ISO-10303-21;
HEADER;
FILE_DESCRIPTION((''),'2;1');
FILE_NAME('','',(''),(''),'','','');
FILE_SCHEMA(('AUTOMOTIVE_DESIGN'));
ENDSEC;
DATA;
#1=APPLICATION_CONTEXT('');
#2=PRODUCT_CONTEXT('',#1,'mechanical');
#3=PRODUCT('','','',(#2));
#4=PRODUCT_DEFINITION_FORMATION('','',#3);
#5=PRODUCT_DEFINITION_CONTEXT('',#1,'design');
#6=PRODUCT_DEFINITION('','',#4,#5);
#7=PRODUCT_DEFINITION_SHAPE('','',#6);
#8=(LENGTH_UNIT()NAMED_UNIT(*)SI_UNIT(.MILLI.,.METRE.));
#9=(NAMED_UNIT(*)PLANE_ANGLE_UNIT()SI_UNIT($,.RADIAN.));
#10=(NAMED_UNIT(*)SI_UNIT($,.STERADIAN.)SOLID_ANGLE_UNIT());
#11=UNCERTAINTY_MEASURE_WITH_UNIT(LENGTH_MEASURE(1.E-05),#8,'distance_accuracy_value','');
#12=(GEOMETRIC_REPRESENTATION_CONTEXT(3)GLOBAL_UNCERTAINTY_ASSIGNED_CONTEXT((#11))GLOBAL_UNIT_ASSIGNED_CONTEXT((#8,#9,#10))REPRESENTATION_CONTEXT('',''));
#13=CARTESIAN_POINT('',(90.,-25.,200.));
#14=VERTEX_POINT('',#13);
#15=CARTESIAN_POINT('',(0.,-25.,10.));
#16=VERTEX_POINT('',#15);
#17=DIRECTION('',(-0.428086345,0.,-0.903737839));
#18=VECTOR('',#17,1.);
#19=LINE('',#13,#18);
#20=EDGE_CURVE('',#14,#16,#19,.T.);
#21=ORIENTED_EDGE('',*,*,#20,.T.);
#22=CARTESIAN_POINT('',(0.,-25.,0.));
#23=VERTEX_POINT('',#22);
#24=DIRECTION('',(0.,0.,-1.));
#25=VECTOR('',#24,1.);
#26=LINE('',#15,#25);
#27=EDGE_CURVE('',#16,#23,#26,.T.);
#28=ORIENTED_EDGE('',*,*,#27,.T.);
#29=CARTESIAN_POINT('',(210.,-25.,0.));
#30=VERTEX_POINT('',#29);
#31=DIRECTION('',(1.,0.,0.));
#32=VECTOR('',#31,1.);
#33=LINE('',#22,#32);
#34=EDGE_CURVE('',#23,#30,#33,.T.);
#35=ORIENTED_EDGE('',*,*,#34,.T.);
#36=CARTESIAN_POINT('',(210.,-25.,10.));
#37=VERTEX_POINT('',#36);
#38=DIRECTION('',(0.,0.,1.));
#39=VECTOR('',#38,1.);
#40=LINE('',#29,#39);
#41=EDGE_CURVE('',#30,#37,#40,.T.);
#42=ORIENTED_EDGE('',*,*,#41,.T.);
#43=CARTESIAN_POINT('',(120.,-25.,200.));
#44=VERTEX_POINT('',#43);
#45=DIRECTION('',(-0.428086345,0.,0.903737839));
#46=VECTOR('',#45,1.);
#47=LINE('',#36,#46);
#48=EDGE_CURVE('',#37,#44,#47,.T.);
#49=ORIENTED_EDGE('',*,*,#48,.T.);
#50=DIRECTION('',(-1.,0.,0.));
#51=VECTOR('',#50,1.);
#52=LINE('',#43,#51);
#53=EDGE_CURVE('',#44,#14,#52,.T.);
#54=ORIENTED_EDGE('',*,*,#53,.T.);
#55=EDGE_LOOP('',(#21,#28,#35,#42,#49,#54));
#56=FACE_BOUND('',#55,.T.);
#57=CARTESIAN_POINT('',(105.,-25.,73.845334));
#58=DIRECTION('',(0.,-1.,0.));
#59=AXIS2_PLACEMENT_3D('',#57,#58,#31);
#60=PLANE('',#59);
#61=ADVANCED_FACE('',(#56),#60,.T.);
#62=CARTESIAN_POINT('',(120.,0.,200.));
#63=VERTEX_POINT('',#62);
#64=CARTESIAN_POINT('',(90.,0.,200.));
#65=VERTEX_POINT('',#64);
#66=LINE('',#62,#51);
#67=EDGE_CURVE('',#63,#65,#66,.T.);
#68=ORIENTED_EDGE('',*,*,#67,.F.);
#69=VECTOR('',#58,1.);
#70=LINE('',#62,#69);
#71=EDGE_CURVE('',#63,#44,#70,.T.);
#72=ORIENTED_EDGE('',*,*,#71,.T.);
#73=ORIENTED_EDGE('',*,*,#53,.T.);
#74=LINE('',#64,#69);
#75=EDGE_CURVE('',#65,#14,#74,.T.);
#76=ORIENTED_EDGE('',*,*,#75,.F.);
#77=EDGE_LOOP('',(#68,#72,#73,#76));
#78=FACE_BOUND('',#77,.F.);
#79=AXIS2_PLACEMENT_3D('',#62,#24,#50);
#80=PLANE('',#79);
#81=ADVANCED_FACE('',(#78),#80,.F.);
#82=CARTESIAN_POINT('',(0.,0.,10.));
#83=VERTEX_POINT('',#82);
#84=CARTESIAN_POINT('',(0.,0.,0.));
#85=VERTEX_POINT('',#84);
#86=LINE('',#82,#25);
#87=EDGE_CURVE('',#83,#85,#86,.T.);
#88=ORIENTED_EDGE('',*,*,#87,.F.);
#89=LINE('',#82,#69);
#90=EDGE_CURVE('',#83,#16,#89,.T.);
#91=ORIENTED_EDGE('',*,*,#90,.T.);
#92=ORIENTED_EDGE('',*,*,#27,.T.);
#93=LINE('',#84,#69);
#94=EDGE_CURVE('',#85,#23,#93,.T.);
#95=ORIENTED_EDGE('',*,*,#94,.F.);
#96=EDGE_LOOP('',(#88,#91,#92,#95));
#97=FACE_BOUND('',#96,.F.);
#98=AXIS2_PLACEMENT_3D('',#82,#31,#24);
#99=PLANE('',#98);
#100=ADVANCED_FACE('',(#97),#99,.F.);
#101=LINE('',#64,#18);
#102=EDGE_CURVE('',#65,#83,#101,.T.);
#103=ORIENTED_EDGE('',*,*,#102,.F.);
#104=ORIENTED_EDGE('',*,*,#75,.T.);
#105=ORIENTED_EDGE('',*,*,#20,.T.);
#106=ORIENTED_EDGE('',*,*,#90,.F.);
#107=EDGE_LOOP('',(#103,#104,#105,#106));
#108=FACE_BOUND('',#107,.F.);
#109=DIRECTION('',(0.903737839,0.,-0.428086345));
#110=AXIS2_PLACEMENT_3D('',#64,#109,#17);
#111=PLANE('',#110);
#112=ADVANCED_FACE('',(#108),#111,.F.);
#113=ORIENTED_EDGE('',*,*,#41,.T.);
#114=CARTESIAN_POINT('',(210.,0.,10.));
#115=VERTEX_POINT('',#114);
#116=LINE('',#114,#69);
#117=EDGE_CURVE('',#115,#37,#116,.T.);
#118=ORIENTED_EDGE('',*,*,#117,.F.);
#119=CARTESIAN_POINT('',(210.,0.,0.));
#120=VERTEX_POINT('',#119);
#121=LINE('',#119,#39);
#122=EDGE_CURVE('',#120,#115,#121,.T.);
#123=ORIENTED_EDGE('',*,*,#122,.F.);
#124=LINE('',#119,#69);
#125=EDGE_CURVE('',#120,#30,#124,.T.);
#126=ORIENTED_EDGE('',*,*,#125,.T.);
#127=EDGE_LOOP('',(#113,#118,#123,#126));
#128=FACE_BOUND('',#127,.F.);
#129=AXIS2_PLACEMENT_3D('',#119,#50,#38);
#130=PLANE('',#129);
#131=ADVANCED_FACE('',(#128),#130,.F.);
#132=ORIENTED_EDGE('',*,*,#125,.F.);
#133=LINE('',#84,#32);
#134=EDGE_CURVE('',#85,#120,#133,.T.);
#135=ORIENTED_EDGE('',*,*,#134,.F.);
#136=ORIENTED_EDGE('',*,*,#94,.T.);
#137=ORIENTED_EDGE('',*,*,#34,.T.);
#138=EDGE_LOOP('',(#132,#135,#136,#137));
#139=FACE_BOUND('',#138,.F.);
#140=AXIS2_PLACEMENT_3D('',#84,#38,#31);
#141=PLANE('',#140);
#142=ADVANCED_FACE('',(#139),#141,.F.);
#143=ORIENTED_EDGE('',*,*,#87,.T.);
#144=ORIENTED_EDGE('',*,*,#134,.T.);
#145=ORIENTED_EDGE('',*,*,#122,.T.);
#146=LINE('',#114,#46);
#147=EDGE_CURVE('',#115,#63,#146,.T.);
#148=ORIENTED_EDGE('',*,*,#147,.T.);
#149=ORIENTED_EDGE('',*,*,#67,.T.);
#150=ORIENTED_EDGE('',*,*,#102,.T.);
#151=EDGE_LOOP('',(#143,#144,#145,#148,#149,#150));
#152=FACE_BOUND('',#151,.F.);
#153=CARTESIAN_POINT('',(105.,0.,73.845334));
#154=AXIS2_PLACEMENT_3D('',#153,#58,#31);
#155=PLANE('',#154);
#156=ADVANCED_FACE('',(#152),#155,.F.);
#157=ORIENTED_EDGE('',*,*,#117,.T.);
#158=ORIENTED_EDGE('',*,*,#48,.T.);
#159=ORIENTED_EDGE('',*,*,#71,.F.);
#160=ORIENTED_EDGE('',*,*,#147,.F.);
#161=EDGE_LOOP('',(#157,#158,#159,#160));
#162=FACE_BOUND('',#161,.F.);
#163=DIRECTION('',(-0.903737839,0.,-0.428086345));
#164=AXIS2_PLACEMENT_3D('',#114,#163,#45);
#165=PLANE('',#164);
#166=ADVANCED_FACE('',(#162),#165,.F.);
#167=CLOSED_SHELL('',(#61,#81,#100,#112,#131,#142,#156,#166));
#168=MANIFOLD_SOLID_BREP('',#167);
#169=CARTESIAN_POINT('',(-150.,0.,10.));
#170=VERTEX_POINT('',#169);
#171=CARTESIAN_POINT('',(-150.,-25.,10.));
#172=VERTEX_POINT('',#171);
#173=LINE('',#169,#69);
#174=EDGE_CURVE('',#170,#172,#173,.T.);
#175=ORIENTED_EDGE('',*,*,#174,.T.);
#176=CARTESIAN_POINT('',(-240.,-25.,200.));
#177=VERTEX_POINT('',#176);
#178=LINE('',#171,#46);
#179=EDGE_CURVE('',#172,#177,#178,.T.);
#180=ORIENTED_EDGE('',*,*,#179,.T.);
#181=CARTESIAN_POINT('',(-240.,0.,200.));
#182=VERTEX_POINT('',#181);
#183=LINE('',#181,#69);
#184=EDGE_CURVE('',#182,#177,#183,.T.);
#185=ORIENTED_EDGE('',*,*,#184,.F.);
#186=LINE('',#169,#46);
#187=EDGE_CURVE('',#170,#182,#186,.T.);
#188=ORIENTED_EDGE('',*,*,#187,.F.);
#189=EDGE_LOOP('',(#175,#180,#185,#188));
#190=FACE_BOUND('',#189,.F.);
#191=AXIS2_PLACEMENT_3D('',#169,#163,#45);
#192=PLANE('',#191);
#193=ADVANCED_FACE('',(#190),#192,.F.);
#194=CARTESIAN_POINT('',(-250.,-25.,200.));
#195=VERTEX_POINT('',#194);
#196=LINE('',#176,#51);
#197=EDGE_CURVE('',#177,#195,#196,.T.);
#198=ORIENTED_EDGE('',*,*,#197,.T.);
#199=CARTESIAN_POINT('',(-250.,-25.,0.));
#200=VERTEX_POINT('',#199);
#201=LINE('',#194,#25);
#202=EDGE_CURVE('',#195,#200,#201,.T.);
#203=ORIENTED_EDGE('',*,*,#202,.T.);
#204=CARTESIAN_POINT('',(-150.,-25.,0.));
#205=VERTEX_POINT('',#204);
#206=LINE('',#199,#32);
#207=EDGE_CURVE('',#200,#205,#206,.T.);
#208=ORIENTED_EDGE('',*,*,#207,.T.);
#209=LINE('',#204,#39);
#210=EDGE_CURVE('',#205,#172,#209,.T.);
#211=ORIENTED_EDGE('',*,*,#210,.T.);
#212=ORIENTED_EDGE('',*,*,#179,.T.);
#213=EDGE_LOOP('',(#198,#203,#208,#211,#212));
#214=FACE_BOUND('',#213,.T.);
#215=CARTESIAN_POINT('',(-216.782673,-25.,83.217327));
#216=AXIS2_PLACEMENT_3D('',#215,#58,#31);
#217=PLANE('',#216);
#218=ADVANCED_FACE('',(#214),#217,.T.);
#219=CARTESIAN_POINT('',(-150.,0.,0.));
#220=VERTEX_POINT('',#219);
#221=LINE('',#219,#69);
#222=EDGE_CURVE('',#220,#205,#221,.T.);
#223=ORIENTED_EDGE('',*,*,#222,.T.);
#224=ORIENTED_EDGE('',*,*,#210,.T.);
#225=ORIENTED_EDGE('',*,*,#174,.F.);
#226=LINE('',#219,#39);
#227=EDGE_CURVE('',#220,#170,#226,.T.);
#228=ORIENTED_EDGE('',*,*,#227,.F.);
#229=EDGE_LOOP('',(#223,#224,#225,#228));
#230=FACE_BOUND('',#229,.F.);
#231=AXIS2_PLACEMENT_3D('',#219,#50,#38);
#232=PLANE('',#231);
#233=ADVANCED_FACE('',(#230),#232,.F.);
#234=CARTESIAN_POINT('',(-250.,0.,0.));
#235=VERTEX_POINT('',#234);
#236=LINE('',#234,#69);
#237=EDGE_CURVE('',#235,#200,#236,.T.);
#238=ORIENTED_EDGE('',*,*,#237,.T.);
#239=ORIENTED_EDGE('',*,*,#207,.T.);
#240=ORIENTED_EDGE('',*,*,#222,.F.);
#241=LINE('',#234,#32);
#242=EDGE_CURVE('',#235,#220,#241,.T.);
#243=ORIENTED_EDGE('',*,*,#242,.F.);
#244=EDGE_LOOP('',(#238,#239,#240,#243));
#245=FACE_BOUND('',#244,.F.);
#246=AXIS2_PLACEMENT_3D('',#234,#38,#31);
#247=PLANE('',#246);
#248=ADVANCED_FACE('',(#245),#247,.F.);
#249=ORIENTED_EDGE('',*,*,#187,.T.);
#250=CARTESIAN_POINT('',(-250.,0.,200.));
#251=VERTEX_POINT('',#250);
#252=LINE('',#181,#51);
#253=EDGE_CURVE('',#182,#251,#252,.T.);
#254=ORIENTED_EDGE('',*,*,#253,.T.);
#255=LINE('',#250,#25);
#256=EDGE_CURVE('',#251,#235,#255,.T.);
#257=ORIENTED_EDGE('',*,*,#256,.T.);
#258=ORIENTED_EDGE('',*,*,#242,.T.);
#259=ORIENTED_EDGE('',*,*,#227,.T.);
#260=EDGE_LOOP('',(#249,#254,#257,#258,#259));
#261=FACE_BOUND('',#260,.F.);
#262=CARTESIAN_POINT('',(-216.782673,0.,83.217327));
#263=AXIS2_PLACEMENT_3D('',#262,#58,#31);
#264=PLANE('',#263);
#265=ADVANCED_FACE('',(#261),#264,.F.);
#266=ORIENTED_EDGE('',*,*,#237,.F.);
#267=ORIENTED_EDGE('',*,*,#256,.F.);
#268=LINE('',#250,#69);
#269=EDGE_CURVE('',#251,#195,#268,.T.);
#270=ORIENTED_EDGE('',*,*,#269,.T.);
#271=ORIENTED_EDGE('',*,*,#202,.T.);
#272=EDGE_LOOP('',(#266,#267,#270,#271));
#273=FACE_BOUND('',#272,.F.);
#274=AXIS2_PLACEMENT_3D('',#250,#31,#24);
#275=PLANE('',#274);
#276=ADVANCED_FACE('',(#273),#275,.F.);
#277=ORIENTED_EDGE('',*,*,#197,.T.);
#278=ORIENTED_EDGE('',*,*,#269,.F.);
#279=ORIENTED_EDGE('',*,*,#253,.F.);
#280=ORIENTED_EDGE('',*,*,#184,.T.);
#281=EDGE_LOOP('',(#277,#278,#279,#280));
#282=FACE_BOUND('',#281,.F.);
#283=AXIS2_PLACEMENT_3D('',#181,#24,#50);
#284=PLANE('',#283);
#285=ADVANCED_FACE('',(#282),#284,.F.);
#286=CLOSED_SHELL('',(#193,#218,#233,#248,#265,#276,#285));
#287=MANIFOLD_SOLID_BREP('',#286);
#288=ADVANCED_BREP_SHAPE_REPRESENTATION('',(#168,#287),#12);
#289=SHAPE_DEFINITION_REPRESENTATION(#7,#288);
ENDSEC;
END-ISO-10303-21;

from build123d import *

# Parameters (mm, degrees)
F1_DEPTH = 25
F2_DEPTH = 25


with BuildPart() as f1:
    # F0 (on Front) → F1 (new body)
    with BuildSketch(Plane.XZ):
        Polygon((-240, 200), (-250, 200), (-250, 0), (-150, 0), (-150, 10), align=None)
    extrude(amount=F1_DEPTH)


with BuildPart() as f2:
    # F0 (on Front) → F2 (new body)
    with BuildSketch(Plane.XZ):
        Polygon((0, 10), (0, 0), (210, 0), (210, 10), (120, 200), (90, 200), align=None)
    extrude(amount=F2_DEPTH)


solid = Compound([f1.part, f2.part])
